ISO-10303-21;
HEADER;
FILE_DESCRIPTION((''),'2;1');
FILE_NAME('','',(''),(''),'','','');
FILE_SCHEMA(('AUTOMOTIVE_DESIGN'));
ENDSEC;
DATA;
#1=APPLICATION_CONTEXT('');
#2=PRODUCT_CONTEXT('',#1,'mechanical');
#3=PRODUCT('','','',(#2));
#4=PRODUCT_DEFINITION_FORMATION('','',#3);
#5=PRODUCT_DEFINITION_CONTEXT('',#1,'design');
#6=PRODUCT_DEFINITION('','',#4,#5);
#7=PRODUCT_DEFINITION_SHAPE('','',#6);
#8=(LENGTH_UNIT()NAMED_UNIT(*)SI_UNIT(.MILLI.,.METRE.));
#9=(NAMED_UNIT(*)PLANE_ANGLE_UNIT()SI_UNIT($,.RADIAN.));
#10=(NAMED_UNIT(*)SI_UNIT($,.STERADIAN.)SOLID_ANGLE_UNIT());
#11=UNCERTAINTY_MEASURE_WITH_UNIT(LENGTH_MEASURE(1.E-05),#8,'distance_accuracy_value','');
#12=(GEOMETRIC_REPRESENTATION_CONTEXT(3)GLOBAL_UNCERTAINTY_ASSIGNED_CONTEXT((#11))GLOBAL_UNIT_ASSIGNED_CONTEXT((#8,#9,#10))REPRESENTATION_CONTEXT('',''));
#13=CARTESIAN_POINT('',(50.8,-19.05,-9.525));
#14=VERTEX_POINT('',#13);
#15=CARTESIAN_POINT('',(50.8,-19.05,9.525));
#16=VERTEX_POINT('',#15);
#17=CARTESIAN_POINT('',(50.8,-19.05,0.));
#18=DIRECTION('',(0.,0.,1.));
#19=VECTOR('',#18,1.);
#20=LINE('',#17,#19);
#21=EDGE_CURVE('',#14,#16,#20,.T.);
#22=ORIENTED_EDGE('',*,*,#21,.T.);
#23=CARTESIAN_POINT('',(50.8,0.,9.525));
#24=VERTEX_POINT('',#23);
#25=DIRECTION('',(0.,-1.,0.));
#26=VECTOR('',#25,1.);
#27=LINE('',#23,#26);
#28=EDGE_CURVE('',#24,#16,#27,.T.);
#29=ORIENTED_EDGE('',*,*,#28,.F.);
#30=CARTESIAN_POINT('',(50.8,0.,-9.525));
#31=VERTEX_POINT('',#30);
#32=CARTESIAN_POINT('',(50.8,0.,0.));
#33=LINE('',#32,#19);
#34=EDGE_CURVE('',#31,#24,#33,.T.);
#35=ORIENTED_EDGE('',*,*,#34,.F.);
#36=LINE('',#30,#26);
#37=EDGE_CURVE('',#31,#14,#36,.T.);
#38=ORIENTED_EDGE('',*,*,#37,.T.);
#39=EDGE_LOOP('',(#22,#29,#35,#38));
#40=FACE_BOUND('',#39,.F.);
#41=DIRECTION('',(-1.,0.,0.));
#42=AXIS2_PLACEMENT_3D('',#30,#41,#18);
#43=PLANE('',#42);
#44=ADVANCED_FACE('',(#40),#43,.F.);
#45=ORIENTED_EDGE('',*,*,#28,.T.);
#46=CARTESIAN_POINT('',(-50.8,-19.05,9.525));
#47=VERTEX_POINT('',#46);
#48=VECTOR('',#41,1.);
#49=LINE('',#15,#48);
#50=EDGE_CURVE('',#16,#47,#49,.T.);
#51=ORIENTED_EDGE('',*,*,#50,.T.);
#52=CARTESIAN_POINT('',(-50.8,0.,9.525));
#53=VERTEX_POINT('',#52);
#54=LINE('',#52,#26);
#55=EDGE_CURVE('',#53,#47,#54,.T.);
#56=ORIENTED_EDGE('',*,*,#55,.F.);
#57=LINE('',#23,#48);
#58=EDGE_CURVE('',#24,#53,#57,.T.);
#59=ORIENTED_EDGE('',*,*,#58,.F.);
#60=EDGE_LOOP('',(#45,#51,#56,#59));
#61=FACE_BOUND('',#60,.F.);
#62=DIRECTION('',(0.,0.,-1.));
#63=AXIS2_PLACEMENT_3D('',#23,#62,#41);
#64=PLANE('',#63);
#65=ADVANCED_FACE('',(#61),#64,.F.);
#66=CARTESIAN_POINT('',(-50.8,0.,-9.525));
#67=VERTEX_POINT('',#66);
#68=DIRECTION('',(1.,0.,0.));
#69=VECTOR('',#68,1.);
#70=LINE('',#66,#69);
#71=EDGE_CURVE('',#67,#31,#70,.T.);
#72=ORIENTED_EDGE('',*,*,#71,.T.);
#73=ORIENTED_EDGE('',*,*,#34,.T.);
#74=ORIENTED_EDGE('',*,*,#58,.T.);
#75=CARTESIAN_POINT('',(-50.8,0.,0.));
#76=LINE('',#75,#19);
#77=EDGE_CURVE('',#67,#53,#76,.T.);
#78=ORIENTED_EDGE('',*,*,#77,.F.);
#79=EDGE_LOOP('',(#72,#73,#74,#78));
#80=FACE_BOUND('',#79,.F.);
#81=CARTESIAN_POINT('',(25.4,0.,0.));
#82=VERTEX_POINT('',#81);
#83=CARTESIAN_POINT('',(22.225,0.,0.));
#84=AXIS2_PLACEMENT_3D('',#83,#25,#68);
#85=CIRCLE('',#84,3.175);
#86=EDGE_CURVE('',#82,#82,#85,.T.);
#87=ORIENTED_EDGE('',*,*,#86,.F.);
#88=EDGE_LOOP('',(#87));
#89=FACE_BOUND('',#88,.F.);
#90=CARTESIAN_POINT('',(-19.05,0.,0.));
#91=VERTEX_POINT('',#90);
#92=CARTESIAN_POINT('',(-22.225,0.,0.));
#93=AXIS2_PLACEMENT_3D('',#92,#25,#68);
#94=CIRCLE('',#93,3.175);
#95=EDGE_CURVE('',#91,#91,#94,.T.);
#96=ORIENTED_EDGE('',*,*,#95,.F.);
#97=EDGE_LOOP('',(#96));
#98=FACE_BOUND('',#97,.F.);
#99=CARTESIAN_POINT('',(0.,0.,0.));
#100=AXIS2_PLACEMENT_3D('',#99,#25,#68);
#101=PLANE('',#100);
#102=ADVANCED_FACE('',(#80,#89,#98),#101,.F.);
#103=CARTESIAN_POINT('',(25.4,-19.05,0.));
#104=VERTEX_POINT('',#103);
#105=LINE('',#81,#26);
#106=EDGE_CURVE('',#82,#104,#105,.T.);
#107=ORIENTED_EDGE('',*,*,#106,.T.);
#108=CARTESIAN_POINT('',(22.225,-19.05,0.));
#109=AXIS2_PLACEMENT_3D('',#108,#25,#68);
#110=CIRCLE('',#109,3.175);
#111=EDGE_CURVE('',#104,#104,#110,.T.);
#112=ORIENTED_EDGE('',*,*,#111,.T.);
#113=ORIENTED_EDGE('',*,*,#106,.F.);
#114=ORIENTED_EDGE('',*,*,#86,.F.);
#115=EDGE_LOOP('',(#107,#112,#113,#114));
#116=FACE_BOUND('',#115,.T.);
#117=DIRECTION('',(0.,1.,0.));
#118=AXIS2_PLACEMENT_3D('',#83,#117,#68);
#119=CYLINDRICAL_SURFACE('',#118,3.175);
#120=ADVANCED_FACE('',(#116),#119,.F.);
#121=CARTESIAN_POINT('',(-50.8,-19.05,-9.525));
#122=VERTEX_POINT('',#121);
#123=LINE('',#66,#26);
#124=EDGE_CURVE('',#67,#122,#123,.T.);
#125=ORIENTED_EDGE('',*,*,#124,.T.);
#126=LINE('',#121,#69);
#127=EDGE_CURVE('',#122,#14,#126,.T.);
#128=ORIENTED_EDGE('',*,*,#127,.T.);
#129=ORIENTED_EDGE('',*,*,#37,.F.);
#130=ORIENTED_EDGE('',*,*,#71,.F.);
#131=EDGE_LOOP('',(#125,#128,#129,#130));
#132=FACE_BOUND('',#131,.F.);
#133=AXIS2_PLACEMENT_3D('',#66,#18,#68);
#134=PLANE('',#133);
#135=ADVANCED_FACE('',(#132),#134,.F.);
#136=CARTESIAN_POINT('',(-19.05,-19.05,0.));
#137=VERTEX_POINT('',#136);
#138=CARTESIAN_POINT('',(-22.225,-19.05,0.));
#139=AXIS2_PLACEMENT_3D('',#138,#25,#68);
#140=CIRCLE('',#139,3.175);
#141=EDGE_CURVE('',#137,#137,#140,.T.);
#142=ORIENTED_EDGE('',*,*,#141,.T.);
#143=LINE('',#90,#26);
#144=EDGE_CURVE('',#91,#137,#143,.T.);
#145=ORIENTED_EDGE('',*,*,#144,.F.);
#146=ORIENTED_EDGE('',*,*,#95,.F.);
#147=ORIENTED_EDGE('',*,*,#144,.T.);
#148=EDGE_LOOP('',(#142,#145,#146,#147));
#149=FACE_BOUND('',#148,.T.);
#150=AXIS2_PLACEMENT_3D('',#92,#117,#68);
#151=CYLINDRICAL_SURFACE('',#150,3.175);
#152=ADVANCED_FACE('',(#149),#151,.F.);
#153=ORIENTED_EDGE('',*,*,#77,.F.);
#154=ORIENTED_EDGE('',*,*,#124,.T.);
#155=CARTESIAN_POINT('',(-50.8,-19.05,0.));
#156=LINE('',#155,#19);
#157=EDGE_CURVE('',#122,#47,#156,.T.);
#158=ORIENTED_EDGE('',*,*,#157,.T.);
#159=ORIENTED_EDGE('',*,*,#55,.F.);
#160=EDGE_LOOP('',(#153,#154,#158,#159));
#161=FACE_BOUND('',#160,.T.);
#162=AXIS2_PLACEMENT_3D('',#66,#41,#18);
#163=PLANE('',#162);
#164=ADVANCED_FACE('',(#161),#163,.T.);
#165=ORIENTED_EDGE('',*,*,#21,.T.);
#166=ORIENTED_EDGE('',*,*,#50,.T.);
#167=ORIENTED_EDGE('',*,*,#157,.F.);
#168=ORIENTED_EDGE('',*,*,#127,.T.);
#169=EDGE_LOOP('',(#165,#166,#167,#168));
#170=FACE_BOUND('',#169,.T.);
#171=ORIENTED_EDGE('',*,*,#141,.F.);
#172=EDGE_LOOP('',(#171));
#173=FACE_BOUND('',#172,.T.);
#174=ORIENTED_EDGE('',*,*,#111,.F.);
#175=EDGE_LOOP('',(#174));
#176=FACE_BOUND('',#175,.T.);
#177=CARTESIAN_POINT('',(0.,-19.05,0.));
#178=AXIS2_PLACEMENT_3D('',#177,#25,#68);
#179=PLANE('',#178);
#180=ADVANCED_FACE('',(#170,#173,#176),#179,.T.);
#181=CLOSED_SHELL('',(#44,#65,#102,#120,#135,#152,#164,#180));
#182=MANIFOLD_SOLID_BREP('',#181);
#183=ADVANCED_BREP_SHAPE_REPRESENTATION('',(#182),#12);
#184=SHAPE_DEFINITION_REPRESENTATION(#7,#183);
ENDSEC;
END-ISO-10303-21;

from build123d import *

# Parameters (mm, degrees)
F3_W     = 63.5
F3_H     = 19.05
F3_R     = 3.175
F3_W_2   = 19.05
F4_DEPTH = 19.05


with BuildPart() as f4:
    # F3 (on Front) → F4 (new body)
    with BuildSketch(Plane.XZ):
        Rectangle(F3_W, F3_H)
        with Locations((-22.225, 0)):
            Circle(F3_R, mode=Mode.SUBTRACT)
        with Locations((22.225, 0)):
            Circle(F3_R, mode=Mode.SUBTRACT)
        with Locations((41.275, 0)):
            Rectangle(F3_W_2, F3_H)
        with Locations((-41.275, 0)):
            Rectangle(F3_W_2, F3_H)
    extrude(amount=F4_DEPTH)


solid = f4.part
